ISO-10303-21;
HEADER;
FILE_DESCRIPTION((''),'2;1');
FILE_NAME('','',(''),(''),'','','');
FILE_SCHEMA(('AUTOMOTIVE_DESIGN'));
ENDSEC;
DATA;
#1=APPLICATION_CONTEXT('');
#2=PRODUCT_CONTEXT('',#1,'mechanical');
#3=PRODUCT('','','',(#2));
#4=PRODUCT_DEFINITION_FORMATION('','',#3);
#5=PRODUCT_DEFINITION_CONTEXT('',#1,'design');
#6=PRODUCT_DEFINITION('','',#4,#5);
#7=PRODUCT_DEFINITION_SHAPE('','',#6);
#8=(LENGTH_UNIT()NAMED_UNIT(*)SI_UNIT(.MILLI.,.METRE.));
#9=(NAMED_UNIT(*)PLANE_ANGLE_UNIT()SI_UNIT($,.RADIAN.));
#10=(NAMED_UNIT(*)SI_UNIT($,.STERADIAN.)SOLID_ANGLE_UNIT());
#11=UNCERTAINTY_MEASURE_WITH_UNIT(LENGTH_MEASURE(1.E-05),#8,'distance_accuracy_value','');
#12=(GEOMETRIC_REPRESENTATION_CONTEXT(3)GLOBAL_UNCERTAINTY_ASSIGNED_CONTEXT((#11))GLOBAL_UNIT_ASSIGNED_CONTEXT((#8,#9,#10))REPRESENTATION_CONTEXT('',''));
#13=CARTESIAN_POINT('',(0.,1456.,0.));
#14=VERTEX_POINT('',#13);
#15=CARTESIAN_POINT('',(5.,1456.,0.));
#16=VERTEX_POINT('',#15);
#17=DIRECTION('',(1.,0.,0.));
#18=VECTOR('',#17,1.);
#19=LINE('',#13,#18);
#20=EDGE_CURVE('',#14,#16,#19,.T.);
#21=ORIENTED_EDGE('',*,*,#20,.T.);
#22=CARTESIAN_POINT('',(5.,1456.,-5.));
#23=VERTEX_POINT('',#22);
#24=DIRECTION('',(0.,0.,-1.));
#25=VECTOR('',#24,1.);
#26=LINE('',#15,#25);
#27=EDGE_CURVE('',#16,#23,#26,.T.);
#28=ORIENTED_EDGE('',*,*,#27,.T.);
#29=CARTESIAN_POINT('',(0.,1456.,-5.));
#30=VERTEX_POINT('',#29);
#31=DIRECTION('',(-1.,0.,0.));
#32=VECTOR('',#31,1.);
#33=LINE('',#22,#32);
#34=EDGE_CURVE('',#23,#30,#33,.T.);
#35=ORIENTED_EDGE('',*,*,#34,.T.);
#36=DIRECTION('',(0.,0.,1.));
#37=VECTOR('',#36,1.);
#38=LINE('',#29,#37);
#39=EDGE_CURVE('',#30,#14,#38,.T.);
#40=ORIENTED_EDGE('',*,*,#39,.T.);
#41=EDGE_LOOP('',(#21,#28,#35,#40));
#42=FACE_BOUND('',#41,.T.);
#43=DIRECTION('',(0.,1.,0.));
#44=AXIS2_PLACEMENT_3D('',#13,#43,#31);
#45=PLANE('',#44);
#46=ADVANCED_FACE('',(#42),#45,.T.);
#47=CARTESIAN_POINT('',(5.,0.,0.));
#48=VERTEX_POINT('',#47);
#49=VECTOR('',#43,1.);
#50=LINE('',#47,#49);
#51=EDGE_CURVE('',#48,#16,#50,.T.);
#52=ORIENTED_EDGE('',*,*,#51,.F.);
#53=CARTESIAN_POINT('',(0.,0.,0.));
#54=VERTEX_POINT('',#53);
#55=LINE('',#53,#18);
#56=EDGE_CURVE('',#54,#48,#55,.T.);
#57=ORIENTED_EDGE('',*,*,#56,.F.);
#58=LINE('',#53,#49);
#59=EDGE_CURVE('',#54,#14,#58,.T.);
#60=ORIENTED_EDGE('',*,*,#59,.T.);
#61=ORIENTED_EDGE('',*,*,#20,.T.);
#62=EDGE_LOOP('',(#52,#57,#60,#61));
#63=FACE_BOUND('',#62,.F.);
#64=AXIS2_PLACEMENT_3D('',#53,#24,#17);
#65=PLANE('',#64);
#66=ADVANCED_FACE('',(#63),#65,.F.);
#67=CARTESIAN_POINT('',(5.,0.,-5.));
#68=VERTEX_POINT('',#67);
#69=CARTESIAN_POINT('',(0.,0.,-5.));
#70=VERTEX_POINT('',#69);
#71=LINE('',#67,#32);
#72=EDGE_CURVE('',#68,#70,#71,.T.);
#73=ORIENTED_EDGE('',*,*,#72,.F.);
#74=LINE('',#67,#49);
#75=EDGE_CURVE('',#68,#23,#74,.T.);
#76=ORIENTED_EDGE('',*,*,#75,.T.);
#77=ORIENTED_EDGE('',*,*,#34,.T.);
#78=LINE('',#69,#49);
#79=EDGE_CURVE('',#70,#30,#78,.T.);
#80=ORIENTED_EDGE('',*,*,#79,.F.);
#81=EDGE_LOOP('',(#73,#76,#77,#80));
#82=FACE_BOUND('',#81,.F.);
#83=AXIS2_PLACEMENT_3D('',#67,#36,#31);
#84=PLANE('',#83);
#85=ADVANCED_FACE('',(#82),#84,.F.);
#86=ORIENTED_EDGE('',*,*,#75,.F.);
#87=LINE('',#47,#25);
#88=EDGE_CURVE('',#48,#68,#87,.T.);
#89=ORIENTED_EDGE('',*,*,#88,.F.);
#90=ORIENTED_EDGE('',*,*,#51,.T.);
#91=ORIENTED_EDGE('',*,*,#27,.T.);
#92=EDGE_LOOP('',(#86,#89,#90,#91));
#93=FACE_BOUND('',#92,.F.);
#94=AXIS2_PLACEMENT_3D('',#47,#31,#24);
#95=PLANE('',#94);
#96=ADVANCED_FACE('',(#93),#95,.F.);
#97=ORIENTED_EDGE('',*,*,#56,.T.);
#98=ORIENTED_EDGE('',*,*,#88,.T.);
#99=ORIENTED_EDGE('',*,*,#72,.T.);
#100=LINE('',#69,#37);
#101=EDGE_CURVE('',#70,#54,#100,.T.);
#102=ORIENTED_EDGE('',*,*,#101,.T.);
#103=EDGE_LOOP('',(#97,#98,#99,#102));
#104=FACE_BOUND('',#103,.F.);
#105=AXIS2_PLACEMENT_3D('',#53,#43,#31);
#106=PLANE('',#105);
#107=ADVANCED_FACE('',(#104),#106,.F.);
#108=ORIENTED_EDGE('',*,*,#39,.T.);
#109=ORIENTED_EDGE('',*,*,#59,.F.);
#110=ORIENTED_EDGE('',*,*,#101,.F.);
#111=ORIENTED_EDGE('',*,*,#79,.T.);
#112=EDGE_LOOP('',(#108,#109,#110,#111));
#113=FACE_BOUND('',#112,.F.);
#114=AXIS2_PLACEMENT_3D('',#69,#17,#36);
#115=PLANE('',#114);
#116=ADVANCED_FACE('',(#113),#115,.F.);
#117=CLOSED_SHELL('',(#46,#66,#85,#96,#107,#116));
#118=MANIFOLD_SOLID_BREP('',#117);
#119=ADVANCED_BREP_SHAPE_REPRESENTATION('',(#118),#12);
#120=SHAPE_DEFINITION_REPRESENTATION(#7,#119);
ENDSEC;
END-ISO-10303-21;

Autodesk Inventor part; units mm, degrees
ref_plane "YZ Plane" through (0, 0, 0) normal (1, 0, 0) x (0, 1, 0)
ref_plane "XZ Plane" through (0, 0, 0) normal (0, 1, 0) x (-1, 0, 0)
ref_plane "XY Plane" through (0, 0, 0) normal (0, 0, 1) x (1, 0, 0)
sketch "Sketch4" plane through (0, 0, 0) normal (0, 1, 0) x (-1, 0, 0)
  line L0 (0, 0) -> (-5, 0)
  line L1 (-5, 0) -> (-5, -5)
  line L2 (-5, -5) -> (0, -5)
  line L3 (0, -5) -> (0, 0)
  dimension "d103" = 5
  dimension "d104" = 5
extrude "Extrusion7" add sketch "Sketch4" along normal blind 1456
properties part number "airfoil"
